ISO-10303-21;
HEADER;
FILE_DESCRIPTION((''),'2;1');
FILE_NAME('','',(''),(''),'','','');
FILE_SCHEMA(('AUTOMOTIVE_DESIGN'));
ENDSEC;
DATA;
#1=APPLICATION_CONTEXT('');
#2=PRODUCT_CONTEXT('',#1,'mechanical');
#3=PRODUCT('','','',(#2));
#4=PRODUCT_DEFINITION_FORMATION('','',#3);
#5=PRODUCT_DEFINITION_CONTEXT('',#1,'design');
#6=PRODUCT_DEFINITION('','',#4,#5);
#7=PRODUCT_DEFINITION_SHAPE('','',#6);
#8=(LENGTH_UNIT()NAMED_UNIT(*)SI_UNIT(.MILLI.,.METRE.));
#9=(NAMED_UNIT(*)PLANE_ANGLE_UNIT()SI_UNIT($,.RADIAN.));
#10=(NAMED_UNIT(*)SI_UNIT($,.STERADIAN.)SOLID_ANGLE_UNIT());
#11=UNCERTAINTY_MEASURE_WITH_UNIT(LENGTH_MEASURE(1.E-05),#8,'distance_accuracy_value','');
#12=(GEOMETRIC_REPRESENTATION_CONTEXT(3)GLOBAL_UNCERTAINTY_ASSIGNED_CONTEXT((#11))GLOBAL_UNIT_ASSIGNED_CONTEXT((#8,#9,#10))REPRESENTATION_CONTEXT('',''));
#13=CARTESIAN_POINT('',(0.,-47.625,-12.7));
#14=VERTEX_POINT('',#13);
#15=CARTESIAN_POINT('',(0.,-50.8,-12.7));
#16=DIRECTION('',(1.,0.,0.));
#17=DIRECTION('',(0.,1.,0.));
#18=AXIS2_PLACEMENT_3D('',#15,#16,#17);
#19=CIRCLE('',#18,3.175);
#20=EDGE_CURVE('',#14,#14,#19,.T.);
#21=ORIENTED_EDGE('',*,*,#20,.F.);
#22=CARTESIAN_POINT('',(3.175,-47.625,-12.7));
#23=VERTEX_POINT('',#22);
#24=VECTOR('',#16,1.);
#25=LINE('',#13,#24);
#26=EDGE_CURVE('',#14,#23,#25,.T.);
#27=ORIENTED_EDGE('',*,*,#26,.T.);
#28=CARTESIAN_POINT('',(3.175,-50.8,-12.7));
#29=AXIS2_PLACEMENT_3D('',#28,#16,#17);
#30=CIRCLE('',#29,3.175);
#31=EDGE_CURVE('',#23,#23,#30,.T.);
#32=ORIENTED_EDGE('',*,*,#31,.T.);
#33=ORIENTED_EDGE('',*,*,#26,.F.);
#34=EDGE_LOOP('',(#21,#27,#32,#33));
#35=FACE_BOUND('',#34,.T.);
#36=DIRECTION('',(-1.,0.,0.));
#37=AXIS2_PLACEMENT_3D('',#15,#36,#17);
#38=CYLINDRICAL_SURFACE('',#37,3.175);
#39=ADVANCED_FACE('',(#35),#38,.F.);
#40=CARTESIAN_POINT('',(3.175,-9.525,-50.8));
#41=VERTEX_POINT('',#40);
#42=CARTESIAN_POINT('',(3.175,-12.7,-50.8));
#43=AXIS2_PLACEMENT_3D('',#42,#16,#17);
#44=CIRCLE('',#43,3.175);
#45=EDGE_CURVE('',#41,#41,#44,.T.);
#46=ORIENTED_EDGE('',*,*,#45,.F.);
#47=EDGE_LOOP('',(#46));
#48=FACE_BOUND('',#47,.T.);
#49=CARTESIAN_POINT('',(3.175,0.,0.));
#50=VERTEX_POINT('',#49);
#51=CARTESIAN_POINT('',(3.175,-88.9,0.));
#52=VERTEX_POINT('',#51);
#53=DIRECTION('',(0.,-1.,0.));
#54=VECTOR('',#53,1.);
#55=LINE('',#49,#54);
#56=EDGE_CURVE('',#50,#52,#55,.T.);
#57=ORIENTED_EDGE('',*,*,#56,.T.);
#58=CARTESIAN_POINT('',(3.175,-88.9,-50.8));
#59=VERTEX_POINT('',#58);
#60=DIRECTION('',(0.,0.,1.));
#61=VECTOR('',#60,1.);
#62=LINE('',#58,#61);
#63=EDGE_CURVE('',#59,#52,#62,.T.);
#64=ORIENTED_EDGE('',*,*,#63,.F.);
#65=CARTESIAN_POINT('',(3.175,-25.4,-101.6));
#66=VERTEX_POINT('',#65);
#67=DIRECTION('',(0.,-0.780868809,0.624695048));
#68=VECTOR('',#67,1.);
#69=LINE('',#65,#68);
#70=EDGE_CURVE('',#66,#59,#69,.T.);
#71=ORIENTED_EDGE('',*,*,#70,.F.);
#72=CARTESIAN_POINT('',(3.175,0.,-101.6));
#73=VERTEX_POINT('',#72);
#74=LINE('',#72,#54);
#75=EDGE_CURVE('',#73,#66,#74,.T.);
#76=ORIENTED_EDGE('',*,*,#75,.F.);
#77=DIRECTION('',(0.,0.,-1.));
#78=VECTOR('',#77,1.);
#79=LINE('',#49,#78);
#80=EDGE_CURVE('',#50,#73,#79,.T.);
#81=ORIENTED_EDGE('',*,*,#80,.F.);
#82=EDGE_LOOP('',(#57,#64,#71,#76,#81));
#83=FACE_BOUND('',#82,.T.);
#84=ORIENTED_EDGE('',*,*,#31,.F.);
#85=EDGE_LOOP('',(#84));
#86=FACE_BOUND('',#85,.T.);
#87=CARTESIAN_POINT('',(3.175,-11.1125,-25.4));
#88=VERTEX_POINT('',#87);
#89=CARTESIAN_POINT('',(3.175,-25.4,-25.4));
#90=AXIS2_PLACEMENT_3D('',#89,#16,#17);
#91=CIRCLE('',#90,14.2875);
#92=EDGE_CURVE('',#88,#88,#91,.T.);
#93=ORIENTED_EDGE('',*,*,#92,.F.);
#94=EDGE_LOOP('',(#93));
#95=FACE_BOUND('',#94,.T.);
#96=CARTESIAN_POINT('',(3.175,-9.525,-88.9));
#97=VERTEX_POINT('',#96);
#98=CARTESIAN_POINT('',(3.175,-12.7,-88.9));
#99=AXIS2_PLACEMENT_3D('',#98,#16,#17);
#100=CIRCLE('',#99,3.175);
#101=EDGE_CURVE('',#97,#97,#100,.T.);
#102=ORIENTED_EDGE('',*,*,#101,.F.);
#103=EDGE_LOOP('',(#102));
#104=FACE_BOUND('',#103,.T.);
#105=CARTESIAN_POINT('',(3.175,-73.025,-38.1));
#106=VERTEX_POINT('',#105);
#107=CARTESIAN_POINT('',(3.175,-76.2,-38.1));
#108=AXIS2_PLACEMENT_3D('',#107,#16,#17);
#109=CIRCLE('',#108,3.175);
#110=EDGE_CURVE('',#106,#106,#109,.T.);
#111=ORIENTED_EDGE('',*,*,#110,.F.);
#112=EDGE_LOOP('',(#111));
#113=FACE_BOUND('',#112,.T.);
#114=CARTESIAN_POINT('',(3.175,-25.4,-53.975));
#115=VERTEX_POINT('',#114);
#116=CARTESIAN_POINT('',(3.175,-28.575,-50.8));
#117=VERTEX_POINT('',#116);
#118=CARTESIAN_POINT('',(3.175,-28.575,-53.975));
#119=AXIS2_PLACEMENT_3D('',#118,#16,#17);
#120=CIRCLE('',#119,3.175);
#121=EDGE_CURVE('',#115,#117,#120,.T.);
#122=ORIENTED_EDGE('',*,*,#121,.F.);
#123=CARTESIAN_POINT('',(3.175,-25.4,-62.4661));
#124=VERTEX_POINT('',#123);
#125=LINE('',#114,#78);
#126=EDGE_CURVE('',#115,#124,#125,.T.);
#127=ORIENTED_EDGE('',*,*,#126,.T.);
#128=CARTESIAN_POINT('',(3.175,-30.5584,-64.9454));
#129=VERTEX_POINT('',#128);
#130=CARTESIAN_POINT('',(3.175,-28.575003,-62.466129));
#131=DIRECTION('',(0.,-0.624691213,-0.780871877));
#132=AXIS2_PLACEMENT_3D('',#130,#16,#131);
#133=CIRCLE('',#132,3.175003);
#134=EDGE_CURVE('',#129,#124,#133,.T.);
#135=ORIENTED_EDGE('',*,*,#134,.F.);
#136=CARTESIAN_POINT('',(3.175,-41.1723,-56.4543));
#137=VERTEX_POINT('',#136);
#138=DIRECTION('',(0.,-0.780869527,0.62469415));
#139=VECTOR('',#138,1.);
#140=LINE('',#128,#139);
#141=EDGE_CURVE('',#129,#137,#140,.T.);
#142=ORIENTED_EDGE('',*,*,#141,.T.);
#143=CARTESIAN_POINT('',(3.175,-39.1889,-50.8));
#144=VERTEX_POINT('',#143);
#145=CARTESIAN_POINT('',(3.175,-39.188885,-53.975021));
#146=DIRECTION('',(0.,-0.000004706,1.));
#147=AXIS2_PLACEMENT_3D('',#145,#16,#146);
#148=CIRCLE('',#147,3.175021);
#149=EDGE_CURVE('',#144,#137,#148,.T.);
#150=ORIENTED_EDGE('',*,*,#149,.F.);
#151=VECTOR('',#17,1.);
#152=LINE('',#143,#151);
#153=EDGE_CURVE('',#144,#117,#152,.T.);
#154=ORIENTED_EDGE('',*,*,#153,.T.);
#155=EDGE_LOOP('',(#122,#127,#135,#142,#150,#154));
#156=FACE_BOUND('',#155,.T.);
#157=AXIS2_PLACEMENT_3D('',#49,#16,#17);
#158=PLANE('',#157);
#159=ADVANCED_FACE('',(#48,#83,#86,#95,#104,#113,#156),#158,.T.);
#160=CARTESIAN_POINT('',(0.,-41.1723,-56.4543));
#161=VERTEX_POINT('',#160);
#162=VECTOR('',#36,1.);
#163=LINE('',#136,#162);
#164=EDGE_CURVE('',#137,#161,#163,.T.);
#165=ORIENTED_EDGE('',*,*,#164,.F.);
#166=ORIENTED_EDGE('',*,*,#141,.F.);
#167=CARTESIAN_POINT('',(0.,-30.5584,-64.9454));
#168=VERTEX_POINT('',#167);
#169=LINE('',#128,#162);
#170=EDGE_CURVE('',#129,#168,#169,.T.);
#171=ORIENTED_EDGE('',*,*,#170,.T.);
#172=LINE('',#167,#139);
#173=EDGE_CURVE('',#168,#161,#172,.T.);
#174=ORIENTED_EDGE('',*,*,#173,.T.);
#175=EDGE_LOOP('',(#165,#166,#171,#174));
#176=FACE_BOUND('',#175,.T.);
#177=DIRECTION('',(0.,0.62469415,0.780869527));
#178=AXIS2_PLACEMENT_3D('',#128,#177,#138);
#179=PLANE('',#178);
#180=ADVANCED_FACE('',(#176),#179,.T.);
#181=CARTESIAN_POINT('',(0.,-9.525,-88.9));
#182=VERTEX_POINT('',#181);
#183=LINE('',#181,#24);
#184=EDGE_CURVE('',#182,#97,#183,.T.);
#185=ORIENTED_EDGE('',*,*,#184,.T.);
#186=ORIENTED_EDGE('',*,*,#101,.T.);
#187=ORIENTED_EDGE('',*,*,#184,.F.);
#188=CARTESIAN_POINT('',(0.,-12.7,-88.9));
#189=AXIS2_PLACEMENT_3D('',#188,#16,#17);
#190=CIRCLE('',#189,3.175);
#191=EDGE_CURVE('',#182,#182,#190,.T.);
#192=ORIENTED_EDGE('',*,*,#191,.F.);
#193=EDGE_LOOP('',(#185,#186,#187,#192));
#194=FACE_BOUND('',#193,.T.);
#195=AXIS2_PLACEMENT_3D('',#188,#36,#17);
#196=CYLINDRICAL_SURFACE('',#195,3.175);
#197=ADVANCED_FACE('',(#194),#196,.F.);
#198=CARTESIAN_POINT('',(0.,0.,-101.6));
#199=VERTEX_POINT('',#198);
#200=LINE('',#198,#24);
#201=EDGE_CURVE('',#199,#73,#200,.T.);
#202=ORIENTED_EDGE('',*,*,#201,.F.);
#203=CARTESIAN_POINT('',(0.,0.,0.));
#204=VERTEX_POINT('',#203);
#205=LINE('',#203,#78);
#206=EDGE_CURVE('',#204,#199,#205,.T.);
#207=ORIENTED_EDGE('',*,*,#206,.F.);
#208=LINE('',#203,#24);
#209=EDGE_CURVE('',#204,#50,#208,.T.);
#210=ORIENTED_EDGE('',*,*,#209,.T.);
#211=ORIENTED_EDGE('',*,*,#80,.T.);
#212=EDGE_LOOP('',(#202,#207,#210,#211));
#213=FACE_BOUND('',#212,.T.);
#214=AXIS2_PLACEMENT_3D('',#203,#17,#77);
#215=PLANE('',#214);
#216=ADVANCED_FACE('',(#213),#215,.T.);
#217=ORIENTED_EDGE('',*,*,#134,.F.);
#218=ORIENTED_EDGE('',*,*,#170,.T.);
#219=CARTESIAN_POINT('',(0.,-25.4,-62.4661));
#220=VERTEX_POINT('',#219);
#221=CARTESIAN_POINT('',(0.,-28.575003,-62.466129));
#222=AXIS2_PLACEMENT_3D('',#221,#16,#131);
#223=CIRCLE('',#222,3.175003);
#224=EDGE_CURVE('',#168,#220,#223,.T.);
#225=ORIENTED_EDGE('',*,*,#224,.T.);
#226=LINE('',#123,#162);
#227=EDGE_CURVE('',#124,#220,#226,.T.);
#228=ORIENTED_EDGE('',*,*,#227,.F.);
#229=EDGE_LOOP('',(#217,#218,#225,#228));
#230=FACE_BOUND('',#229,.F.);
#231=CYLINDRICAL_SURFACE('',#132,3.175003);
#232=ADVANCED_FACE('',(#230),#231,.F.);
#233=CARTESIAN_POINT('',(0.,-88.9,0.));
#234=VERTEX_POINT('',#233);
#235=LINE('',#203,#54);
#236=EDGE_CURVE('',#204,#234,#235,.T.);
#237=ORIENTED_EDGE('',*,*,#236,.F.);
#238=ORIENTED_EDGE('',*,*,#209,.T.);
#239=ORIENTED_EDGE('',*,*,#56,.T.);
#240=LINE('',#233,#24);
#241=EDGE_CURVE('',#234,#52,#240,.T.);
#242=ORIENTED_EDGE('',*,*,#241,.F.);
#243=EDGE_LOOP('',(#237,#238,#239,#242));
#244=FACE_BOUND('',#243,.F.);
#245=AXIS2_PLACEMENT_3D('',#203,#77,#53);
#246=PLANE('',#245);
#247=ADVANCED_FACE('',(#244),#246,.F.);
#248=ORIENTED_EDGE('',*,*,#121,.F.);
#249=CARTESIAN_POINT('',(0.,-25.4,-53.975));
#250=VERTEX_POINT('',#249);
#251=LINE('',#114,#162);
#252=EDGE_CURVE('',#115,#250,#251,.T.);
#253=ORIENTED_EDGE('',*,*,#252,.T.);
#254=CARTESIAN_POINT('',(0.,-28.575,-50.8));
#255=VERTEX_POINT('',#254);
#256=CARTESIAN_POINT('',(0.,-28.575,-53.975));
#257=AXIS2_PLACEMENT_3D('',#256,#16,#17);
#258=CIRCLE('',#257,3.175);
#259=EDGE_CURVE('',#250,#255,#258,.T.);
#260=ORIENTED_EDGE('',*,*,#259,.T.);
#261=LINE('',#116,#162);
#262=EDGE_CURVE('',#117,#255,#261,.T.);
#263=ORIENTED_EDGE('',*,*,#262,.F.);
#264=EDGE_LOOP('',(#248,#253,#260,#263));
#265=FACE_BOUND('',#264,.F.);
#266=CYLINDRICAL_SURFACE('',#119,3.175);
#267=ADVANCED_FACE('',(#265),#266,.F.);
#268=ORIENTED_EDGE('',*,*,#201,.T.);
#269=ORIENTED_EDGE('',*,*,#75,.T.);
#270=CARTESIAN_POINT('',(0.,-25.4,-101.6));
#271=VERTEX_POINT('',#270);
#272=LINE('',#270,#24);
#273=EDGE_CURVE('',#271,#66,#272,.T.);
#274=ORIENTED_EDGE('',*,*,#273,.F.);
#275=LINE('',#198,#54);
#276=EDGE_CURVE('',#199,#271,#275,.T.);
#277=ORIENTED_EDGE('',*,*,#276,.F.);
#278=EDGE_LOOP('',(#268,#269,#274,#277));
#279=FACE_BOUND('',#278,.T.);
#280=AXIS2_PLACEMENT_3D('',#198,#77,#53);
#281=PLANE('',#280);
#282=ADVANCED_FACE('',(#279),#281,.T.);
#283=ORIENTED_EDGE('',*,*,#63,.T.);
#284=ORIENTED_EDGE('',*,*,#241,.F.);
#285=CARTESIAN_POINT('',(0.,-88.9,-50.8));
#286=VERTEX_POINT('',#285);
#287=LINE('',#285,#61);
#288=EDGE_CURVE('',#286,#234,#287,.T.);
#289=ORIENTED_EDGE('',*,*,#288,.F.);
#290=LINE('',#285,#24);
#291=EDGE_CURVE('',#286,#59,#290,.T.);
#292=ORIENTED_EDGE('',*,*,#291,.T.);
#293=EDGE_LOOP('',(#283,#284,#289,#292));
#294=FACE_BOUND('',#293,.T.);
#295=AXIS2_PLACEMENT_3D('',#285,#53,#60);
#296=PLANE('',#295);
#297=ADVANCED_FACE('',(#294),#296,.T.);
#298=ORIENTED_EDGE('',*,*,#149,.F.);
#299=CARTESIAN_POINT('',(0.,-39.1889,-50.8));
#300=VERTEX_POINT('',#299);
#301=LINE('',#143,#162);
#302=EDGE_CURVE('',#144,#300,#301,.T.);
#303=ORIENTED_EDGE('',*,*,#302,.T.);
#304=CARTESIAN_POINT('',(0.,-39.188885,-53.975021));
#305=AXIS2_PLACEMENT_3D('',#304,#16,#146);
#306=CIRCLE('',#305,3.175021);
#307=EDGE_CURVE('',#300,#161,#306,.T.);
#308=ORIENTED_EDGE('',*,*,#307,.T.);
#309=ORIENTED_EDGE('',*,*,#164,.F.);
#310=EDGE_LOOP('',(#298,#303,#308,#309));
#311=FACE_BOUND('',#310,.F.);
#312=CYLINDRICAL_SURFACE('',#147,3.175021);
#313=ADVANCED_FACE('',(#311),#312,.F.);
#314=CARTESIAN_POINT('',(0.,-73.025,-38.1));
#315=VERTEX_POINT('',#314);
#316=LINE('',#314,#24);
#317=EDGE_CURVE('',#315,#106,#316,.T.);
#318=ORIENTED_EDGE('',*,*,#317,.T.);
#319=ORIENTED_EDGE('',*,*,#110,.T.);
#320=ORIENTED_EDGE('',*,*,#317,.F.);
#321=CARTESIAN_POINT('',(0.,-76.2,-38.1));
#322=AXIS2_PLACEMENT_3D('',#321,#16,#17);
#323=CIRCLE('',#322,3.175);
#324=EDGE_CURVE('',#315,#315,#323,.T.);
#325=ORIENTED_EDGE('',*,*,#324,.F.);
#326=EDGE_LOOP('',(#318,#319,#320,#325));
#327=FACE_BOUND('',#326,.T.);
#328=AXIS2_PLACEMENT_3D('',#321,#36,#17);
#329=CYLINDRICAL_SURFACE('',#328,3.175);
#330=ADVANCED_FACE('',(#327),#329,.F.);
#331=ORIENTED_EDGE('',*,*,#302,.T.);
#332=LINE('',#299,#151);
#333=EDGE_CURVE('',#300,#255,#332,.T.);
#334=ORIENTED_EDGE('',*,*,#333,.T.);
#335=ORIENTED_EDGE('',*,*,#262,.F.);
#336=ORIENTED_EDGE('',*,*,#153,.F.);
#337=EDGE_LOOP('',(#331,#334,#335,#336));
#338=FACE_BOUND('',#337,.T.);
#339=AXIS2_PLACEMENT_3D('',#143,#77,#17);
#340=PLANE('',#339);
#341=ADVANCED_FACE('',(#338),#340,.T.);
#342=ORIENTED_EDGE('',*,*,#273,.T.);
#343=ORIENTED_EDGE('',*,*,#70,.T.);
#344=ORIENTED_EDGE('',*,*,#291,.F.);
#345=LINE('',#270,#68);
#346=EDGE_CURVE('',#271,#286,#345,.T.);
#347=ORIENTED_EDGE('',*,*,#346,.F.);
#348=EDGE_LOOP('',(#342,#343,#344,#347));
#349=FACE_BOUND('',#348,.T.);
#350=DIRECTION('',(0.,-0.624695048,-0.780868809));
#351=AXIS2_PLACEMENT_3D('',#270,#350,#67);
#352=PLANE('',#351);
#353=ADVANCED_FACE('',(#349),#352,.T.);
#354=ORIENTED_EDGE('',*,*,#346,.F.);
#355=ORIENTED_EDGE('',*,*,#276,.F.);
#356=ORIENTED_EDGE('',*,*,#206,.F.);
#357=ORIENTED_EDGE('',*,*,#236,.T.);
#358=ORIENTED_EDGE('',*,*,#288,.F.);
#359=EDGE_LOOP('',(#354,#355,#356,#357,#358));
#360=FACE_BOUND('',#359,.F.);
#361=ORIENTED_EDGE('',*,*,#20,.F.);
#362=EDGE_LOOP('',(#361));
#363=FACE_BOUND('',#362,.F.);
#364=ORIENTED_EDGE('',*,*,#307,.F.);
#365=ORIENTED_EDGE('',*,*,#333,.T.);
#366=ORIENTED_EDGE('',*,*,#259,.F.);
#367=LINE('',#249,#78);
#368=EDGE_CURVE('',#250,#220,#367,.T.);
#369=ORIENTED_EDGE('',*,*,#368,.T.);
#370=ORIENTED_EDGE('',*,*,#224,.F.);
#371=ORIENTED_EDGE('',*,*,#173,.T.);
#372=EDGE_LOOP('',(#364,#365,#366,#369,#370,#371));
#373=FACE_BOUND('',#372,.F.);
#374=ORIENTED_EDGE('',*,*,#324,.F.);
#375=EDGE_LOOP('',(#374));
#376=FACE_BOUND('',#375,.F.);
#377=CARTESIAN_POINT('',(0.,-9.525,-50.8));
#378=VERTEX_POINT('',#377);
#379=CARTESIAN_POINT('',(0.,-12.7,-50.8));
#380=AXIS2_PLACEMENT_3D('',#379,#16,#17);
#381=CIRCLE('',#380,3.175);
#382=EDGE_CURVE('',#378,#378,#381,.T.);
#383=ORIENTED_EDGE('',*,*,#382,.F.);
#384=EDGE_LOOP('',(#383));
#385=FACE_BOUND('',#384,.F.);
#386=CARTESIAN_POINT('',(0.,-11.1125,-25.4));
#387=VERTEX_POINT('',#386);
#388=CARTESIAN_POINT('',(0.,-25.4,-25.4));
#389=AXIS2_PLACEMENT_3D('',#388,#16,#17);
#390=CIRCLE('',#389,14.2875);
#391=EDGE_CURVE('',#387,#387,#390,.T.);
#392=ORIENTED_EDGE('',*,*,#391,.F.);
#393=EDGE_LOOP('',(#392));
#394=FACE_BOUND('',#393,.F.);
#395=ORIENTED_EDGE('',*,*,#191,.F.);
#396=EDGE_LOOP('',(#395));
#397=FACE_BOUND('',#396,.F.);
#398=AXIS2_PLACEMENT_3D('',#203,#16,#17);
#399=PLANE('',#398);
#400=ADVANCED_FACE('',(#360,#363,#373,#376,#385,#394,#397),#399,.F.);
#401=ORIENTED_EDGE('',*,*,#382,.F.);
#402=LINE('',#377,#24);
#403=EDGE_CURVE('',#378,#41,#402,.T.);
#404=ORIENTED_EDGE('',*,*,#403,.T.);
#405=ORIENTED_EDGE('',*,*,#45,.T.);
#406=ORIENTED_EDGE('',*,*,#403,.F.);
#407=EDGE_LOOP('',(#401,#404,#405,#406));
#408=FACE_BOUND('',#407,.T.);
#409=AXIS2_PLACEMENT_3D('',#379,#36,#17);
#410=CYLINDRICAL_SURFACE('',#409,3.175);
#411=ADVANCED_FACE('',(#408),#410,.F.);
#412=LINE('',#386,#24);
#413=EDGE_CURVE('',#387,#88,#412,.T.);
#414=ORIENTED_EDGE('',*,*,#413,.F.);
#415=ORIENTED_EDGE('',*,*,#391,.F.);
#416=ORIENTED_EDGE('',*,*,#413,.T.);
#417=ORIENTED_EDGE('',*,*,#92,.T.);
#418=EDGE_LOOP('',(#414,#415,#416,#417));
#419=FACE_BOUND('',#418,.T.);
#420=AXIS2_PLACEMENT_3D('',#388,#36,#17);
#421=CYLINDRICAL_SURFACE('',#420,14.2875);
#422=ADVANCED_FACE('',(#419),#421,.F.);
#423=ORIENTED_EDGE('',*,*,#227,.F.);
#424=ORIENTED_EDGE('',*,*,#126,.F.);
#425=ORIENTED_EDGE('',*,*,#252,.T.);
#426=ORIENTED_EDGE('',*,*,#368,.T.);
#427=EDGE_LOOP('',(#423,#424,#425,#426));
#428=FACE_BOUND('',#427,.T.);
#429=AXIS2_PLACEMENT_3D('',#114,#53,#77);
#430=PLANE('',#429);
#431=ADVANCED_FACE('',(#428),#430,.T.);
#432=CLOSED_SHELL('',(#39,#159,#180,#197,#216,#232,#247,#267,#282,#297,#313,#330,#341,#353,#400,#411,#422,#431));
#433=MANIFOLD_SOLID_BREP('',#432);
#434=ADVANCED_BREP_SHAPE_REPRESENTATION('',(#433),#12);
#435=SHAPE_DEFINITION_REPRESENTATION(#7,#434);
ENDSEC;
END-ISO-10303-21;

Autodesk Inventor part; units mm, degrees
ref_plane "YZ Plane" through (0, 0, 0) normal (1, 0, 0) x (0, 1, 0)
ref_plane "XZ Plane" through (0, 0, 0) normal (0, 1, 0) x (-1, 0, 0)
ref_plane "XY Plane" through (0, 0, 0) normal (0, 0, 1) x (1, 0, 0)
sketch "Sketch1" plane through (0, 0, 0) normal (1, 0, 0) x (0, 1, 0)
  line L0 (0, 0) -> (0, -101.6)
  line L1 (0, -101.6) -> (-25.4, -101.6)
  line L2 (-25.4, -101.6) -> (-88.9, -50.8)
  line L3 (-88.9, -50.8) -> (-88.9, 0)
  circle A0 centre (-50.8, -12.7) radius 3.175
  circle A1 centre (-12.7, -50.8) radius 3.175
  circle A2 centre (-12.7, -88.9) radius 3.175
  line L4 (-12.7, -25.4) -> (-12.7, -101.6) construction
  line L5 (0, -12.7) -> (-88.9, -12.7) construction
  circle A3 centre (-76.2, -38.1) radius 3.175
  circle A4 centre (-25.4, -25.4) radius 14.2875
  line L6 (0, 0) -> (-88.9, 0)
  dimension "d0" = 50.8
  dimension "d1" = 25.4
  dimension "d2" = 88.9
  dimension "d3" = 101.6
  dimension "d5" = 38.1
  dimension "d6" = 12.7
  dimension "d10" = 12.7
  dimension "d11" = 12.7
  dimension "d13" = 28.575
  dimension "d15" = 6.35
  dimension "d24" = 90
  dimension "d25" = 12.7
  dimension "d26" = 25.4
  dimension "d27" = 76.2
  dimension "d29" = 63.5
  dimension "d30" = 6.35
  dimension "d31" = 50.8
  dimension "d32" = 38.1
extrude "Extrusion1" add sketch "Sketch1" along normal blind 3.175
sketch "Sketch2" plane through (3.175, 0, 0) normal (1, 0, 0) x (0, 0, -1)
  line L0 (50.8, -39.1889) -> (50.8, -28.575)
  line L1 (53.975, -25.4) -> (62.4661, -25.4)
  line L2 (64.9454, -30.5584) -> (56.4543, -41.1723)
  line L3 (101.6, 0) -> (0, 0) projected
  line L4 (0, 0) -> (0, -101.6) projected
  line L5 (50.8, -88.9) -> (101.6, -25.4) projected
  arc A0 (50.8, -39.1889) -> (56.4543, -41.1723) centre (53.975, -39.1889) ccw
  arc A1 (53.975, -25.4) -> (50.8, -28.575) centre (53.975, -28.575) ccw
  arc A2 (64.9454, -30.5584) -> (62.4661, -25.4) centre (62.4661, -28.575) ccw
  line L6 (0, 0) -> (0, -88.9) projected
  dimension "d18" = 25.4
  dimension "d19" = 25.4
  dimension "d21" = 3.175
  dimension "d28" = 50.8
extrude "Extrusion2" cut sketch "Sketch2" against normal blind 3.175
properties part number "15102898-16-P-0205_CPY" material "Aluminum 6061"
